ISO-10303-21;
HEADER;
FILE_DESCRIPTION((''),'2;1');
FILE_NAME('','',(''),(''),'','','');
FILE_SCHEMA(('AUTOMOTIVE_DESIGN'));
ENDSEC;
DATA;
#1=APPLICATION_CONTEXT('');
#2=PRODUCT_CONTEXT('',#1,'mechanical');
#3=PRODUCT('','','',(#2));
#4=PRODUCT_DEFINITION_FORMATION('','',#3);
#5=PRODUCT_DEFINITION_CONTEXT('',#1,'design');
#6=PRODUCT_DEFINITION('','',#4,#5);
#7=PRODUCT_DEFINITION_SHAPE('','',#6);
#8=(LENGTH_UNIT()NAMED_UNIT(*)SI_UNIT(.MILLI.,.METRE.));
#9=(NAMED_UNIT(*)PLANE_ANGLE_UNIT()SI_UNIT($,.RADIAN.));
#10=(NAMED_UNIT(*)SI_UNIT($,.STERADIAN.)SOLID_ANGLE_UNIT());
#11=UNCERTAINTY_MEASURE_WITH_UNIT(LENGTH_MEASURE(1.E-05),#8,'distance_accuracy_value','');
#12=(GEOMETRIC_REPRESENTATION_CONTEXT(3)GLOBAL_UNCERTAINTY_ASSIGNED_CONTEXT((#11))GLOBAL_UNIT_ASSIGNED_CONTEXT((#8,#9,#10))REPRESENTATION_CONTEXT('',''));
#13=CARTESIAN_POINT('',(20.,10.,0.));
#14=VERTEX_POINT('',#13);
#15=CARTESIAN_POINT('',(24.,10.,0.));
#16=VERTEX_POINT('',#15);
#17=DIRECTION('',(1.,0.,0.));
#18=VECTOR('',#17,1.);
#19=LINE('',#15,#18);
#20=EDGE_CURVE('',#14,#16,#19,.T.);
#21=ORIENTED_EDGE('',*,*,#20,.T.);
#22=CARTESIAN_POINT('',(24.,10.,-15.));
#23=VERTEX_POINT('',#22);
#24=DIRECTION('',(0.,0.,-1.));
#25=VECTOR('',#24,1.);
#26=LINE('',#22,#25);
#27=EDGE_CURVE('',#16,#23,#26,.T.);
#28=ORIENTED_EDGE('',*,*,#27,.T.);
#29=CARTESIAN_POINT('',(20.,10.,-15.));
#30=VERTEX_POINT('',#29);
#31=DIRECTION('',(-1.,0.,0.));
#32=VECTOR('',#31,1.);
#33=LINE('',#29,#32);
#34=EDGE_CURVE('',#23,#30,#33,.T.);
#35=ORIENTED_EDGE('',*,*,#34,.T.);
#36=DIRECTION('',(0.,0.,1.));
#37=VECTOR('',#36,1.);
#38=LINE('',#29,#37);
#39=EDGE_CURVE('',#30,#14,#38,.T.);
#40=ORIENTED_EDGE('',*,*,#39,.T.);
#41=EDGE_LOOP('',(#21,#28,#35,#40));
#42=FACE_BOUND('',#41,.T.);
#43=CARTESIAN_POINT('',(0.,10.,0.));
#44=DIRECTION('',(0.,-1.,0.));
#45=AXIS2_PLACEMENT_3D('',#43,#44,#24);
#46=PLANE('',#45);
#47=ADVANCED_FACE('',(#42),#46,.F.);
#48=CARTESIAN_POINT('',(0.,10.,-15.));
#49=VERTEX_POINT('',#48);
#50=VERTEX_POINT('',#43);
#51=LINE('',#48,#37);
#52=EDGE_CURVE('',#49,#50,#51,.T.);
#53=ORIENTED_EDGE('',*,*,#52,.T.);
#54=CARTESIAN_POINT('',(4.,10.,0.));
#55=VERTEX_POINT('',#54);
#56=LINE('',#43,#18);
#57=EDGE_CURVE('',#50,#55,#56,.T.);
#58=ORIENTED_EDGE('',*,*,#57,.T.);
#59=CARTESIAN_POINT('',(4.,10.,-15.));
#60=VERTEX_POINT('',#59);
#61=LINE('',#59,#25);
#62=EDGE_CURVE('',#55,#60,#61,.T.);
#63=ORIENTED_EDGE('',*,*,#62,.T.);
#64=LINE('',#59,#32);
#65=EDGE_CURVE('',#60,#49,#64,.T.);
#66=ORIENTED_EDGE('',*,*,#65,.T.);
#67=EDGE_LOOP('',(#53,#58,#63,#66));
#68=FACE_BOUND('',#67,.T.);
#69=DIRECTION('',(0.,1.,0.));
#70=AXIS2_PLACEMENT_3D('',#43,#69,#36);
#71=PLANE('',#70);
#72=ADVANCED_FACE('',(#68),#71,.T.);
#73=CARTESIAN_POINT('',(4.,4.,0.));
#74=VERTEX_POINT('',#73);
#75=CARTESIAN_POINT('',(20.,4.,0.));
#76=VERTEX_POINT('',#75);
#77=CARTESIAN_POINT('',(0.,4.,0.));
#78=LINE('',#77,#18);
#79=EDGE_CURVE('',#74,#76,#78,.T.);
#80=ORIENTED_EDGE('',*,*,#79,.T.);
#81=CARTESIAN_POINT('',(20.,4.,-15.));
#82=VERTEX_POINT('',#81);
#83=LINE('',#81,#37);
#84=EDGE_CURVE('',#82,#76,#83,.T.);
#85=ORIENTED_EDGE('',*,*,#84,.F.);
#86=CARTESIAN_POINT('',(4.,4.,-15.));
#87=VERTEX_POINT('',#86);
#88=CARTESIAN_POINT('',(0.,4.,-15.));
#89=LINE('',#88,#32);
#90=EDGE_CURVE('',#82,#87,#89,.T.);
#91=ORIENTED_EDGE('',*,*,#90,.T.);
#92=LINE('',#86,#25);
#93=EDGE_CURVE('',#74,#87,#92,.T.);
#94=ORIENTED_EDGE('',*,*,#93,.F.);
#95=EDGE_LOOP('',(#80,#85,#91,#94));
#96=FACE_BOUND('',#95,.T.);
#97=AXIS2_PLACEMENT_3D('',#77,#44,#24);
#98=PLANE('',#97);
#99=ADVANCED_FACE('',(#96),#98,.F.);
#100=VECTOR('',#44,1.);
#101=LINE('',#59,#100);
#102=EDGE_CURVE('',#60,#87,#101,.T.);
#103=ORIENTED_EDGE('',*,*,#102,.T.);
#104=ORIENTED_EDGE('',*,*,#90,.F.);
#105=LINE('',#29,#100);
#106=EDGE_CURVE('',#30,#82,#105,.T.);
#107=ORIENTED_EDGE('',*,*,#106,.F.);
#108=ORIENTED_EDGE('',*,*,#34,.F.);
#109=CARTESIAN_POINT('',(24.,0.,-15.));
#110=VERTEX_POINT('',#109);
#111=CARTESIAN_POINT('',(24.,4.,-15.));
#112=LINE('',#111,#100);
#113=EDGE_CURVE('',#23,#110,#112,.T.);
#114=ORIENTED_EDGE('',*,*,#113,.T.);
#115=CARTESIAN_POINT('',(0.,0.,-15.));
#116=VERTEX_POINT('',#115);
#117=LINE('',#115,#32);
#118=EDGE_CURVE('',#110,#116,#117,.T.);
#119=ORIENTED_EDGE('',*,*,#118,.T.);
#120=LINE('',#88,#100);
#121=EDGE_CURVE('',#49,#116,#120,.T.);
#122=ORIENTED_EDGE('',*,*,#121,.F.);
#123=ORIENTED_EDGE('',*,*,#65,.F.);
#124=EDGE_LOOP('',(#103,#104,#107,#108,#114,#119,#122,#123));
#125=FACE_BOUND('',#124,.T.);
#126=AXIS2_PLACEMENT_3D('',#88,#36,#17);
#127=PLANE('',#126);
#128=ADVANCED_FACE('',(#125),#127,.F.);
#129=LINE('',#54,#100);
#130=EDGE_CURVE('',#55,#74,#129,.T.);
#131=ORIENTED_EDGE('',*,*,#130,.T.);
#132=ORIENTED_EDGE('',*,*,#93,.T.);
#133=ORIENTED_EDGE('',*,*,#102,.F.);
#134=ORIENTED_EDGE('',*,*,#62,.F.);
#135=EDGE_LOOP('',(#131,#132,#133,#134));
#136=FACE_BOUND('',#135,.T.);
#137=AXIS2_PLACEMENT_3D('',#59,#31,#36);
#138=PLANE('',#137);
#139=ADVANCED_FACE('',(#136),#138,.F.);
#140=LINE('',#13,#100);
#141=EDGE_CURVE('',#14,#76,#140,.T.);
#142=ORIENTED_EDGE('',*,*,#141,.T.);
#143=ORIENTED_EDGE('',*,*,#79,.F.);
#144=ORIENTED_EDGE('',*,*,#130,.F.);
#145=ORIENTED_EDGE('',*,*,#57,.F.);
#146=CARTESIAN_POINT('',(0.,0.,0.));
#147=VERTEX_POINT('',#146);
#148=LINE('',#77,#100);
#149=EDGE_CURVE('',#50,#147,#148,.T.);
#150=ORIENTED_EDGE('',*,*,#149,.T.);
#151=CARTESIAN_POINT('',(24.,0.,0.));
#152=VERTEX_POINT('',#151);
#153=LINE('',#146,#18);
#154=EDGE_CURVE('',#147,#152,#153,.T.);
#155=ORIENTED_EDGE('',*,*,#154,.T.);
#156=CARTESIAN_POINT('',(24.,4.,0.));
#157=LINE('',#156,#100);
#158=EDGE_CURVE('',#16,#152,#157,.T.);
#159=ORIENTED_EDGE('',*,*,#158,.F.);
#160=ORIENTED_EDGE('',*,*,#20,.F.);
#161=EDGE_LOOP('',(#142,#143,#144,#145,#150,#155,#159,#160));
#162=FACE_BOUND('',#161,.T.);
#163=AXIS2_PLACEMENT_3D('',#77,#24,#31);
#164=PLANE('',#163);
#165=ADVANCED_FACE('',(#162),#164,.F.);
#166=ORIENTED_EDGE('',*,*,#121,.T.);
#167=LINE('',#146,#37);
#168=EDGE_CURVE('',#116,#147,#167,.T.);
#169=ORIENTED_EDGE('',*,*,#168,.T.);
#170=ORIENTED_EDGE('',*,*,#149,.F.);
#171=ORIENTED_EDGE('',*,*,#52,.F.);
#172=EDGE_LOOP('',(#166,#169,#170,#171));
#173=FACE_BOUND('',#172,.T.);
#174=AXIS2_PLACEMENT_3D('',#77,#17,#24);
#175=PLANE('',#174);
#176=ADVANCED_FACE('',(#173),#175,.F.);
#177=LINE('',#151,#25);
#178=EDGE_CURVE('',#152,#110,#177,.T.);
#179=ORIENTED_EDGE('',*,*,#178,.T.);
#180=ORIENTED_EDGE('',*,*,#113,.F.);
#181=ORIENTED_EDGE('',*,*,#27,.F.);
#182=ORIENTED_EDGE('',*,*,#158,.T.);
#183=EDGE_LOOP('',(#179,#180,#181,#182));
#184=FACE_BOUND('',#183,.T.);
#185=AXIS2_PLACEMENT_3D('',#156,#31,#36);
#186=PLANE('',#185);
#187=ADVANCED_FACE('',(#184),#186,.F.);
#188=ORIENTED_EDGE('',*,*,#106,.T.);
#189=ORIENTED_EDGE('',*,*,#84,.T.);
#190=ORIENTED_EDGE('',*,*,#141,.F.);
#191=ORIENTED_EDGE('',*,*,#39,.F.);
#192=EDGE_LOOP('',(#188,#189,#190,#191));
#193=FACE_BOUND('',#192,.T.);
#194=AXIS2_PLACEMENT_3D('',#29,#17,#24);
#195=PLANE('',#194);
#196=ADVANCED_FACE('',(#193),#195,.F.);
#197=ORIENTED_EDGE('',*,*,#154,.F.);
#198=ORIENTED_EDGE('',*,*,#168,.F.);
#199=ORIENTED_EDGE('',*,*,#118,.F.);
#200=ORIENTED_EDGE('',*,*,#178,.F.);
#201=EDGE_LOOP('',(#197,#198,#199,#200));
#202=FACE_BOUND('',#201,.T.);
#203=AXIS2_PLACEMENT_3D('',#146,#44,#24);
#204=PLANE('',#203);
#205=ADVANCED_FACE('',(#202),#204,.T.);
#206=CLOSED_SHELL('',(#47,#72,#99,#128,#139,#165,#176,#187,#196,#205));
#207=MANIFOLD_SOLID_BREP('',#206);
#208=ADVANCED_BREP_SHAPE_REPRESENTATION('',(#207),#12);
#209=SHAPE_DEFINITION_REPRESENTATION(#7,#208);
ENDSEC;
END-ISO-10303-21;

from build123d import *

# Parameters (mm, degrees)
SKETCH1_W           = 24
SKETCH1_H           = 15
BOSS_EXTRUDE1_DEPTH = 4
SKETCH2_W           = 4
SKETCH2_H           = 15
BOSS_EXTRUDE2_DEPTH = 6


with BuildPart() as part:
    # Sketch1 → Boss-Extrude1 (new body)
    with BuildSketch(Plane(origin=(0, 0, 0), x_dir=(1, 0, 0), z_dir=(0, 1, 0))):
        with Locations((12, 7.5)):
            Rectangle(SKETCH1_W, SKETCH1_H)
    extrude(amount=BOSS_EXTRUDE1_DEPTH)

    # Sketch2 → Boss-Extrude2 (add)
    with BuildSketch(Plane(origin=(0, 4, 0), x_dir=(1, 0, 0), z_dir=(0, 1, 0))):
        with Locations((2, 7.5)):
            Rectangle(SKETCH2_W, SKETCH2_H)
        with Locations((22, 7.5)):
            Rectangle(SKETCH2_W, SKETCH2_H)
    extrude(amount=BOSS_EXTRUDE2_DEPTH)


solid = part.part
